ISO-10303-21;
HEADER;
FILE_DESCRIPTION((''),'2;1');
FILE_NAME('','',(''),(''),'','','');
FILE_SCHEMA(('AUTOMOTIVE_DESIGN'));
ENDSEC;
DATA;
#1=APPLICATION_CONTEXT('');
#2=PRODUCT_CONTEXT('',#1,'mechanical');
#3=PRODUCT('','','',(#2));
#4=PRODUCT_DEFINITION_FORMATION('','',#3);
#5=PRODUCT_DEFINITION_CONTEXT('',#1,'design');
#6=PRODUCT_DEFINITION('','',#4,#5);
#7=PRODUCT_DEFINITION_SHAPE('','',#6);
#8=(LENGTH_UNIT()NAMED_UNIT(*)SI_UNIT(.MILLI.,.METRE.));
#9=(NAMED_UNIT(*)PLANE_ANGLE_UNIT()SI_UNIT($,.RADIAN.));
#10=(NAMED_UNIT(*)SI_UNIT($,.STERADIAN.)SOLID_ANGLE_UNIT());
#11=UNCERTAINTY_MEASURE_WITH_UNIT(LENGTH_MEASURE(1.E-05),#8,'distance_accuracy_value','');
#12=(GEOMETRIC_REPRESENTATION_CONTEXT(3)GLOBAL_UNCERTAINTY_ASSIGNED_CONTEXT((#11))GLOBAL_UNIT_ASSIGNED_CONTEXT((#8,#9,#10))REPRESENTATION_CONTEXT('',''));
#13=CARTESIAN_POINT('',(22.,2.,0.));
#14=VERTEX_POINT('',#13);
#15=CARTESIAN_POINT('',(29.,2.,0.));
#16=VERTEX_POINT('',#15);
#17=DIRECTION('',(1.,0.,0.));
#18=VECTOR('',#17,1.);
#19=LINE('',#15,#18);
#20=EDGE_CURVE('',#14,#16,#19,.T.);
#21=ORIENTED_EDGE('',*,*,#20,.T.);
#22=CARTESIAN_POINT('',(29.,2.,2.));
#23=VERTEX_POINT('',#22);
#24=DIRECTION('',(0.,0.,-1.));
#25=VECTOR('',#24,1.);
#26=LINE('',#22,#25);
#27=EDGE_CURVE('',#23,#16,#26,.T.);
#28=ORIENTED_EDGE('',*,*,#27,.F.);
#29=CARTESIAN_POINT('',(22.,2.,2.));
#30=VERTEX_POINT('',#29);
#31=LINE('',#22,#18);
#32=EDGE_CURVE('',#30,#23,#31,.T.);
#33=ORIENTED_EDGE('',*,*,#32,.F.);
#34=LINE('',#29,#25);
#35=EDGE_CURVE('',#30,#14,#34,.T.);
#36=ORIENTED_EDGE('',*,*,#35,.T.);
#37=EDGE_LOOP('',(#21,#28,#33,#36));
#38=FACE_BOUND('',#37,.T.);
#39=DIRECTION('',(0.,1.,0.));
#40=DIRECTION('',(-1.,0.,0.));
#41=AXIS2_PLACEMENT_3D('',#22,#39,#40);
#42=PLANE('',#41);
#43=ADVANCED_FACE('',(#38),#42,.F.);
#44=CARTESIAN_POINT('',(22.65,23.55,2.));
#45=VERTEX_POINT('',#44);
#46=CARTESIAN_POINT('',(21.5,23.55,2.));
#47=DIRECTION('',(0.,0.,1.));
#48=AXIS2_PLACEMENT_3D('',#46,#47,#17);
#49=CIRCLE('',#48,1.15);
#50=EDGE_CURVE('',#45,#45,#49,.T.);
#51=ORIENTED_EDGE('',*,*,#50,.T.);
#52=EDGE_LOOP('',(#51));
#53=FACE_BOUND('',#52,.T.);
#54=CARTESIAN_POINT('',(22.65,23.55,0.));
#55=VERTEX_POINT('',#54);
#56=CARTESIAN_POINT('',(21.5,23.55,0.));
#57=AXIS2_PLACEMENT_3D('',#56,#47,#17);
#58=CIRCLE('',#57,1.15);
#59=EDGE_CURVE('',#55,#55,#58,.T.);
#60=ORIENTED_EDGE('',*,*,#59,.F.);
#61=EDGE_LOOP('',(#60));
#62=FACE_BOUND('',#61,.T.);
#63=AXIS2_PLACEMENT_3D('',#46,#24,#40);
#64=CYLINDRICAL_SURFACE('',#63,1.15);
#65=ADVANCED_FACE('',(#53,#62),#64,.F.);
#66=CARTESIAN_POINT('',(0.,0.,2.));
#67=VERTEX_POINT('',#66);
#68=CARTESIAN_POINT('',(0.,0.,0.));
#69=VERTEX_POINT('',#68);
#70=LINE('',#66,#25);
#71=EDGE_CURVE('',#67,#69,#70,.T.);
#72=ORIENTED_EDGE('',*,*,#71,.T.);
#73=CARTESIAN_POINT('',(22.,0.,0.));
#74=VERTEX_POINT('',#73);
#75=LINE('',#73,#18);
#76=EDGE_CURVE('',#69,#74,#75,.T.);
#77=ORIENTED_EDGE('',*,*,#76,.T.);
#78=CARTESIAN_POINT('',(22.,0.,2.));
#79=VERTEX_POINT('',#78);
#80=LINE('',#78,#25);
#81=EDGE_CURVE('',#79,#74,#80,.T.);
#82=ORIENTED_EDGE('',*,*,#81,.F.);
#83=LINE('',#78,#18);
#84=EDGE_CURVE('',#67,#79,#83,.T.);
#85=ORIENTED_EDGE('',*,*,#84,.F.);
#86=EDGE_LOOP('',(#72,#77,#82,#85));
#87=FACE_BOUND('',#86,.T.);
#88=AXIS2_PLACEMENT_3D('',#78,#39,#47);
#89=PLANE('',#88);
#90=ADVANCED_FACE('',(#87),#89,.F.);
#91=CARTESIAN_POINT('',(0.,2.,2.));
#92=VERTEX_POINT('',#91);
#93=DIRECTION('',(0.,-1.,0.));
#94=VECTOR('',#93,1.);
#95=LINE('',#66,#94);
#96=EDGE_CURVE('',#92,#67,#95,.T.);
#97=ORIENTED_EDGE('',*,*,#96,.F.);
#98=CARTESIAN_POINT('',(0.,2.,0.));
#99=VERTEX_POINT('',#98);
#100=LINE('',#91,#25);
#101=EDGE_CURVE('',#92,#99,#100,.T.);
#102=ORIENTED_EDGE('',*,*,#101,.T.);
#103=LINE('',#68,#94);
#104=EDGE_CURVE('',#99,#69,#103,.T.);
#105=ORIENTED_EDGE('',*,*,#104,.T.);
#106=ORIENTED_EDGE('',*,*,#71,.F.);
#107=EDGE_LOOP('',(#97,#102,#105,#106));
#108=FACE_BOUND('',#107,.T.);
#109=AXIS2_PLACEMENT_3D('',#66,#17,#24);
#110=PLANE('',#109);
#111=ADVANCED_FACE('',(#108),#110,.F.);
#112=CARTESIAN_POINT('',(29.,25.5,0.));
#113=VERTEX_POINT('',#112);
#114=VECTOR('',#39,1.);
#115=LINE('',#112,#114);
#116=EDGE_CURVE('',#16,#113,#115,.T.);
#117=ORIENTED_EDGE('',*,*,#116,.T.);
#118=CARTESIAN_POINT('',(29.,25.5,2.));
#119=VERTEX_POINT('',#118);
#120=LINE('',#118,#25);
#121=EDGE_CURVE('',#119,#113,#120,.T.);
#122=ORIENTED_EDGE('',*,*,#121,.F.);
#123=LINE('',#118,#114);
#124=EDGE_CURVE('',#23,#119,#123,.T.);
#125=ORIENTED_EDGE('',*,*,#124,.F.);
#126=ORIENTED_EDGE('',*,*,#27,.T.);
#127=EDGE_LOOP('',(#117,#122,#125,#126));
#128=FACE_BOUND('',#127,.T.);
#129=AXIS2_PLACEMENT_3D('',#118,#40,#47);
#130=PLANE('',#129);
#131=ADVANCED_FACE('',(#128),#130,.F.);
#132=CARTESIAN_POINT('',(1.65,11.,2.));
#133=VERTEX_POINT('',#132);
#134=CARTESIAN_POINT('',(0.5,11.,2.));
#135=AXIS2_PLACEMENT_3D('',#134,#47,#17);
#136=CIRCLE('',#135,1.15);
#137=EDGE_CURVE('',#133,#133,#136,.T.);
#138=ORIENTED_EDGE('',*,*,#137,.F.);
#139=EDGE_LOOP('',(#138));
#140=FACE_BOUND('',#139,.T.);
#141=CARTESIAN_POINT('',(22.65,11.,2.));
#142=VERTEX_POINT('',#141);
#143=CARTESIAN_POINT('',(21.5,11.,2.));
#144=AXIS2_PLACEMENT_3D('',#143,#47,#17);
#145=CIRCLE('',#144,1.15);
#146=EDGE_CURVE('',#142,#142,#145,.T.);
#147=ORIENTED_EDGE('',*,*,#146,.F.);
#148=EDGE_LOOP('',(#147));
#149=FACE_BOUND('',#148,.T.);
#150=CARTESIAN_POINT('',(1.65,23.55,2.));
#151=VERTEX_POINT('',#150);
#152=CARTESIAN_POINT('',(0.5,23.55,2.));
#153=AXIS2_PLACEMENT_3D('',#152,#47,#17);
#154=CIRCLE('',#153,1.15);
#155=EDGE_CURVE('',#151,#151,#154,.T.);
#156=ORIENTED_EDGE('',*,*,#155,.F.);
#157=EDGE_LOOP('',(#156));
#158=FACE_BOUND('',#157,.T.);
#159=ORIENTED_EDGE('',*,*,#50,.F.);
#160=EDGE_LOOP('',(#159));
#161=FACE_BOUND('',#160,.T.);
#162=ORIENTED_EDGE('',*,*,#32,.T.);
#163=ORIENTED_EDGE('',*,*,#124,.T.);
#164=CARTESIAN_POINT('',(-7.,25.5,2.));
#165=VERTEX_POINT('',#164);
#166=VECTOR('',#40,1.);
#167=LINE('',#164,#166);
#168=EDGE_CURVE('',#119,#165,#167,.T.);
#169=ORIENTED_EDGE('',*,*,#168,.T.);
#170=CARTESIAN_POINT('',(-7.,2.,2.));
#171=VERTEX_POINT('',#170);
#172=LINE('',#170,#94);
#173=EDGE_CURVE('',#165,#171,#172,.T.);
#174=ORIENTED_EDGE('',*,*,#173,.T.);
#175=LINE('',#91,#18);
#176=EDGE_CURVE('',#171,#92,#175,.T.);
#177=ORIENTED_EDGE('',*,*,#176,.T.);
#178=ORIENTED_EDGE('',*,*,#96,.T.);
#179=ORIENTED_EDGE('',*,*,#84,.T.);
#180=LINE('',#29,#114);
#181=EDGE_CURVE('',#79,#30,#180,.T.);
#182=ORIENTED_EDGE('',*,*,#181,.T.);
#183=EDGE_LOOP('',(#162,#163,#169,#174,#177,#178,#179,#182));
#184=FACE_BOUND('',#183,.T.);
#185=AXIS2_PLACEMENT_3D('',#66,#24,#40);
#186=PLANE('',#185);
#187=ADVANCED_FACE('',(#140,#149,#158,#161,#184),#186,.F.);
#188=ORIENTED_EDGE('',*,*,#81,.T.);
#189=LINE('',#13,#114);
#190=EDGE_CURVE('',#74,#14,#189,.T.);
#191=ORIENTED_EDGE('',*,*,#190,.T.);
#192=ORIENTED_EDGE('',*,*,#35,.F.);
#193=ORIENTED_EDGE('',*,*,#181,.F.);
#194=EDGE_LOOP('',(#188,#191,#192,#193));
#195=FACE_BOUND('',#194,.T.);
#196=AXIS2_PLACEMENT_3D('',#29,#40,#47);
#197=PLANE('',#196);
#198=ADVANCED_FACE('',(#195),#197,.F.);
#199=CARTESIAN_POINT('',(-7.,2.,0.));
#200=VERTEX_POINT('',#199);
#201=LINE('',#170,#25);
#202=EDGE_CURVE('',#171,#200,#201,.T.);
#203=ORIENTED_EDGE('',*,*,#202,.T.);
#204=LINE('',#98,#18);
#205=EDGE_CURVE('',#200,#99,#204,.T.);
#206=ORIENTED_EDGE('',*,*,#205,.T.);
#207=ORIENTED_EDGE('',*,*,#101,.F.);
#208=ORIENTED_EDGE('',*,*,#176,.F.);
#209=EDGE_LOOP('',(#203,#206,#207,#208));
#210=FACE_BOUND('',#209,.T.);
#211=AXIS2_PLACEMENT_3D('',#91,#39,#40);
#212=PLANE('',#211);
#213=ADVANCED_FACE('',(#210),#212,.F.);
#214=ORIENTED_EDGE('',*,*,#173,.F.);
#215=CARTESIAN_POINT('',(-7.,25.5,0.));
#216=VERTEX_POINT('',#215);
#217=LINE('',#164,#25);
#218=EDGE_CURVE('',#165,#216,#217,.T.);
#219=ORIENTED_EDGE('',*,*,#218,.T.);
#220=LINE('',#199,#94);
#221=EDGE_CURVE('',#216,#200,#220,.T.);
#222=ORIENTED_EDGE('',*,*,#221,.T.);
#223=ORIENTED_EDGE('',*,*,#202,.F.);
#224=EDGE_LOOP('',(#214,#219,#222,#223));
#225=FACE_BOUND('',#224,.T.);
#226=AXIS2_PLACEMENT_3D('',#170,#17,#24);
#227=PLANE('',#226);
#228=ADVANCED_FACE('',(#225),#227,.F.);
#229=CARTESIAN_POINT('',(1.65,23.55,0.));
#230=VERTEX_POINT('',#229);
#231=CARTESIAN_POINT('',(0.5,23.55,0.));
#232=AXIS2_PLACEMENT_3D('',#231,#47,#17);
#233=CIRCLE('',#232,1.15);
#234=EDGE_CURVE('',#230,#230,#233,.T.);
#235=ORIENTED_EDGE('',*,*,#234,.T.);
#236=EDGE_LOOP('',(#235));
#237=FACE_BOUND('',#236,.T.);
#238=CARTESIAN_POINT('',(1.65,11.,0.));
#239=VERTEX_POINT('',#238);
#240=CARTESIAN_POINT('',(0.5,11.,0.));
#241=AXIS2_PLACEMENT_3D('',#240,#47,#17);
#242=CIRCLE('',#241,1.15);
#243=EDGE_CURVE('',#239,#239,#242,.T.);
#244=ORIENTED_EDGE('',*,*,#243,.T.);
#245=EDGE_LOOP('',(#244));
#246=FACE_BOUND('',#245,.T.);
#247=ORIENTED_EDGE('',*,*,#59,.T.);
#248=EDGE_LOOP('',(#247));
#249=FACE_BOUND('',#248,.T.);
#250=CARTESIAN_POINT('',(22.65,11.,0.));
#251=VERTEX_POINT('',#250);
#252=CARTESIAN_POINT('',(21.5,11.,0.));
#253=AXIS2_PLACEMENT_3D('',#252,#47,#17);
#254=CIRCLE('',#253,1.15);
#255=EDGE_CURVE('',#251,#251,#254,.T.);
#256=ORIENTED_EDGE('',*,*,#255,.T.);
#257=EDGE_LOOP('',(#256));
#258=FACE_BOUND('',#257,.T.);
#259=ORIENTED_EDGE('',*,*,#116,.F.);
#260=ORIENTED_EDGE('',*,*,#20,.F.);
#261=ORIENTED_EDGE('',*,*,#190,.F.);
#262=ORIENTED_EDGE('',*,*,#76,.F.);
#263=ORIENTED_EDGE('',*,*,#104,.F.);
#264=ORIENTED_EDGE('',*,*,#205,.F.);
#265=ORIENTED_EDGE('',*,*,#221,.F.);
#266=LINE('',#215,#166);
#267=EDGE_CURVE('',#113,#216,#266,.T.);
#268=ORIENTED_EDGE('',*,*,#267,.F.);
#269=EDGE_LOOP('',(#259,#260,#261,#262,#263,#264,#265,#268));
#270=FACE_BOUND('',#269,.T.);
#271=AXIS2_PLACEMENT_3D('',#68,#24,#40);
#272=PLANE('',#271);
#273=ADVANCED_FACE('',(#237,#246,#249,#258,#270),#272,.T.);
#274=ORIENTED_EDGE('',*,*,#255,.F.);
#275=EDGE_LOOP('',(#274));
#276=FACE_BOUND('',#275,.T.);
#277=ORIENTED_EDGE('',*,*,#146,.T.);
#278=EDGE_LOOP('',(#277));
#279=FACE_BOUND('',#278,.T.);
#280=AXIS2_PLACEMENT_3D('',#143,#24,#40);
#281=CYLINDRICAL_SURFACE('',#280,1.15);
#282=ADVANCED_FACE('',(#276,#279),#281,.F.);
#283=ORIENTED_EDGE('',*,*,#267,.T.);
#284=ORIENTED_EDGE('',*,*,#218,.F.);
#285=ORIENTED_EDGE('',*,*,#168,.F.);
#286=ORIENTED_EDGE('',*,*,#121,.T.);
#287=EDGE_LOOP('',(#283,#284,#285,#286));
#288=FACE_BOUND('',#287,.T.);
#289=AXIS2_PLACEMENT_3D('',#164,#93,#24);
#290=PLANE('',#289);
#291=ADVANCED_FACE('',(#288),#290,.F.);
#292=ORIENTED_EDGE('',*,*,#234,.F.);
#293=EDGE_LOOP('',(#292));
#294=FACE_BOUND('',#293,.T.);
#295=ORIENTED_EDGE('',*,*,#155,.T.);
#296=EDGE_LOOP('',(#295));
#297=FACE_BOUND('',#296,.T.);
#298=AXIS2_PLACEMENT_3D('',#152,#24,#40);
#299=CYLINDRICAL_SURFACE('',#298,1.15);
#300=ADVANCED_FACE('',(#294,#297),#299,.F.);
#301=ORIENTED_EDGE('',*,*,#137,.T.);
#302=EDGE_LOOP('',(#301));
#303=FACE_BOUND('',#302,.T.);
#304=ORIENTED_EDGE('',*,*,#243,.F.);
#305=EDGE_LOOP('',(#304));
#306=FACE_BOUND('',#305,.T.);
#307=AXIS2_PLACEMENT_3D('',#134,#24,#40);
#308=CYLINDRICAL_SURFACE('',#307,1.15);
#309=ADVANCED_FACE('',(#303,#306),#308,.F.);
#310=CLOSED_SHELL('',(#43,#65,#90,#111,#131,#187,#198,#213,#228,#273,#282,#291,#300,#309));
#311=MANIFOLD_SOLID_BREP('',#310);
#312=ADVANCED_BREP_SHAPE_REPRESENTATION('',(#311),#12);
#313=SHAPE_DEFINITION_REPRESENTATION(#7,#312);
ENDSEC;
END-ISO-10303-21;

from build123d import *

# Parameters (mm, degrees)
SKETCH1_R           = 1.15
BOSS_EXTRUDE1_DEPTH = 2


with BuildPart() as part:
    # Sketch1 → Boss-Extrude1 (new body)
    with BuildSketch(Plane.XY):
        Polygon((-7, 2), (-7, 25.5), (29, 25.5), (29, 2), (22, 2), (22, 0), (0, 0), (0, 2), align=None)
        with Locations((0.5, 11)):
            Circle(SKETCH1_R, mode=Mode.SUBTRACT)
        with Locations((0.5, 23.55)):
            Circle(SKETCH1_R, mode=Mode.SUBTRACT)
        with Locations((21.5, 23.55)):
            Circle(SKETCH1_R, mode=Mode.SUBTRACT)
        with Locations((21.5, 11)):
            Circle(SKETCH1_R, mode=Mode.SUBTRACT)
    extrude(amount=BOSS_EXTRUDE1_DEPTH)


solid = part.part
